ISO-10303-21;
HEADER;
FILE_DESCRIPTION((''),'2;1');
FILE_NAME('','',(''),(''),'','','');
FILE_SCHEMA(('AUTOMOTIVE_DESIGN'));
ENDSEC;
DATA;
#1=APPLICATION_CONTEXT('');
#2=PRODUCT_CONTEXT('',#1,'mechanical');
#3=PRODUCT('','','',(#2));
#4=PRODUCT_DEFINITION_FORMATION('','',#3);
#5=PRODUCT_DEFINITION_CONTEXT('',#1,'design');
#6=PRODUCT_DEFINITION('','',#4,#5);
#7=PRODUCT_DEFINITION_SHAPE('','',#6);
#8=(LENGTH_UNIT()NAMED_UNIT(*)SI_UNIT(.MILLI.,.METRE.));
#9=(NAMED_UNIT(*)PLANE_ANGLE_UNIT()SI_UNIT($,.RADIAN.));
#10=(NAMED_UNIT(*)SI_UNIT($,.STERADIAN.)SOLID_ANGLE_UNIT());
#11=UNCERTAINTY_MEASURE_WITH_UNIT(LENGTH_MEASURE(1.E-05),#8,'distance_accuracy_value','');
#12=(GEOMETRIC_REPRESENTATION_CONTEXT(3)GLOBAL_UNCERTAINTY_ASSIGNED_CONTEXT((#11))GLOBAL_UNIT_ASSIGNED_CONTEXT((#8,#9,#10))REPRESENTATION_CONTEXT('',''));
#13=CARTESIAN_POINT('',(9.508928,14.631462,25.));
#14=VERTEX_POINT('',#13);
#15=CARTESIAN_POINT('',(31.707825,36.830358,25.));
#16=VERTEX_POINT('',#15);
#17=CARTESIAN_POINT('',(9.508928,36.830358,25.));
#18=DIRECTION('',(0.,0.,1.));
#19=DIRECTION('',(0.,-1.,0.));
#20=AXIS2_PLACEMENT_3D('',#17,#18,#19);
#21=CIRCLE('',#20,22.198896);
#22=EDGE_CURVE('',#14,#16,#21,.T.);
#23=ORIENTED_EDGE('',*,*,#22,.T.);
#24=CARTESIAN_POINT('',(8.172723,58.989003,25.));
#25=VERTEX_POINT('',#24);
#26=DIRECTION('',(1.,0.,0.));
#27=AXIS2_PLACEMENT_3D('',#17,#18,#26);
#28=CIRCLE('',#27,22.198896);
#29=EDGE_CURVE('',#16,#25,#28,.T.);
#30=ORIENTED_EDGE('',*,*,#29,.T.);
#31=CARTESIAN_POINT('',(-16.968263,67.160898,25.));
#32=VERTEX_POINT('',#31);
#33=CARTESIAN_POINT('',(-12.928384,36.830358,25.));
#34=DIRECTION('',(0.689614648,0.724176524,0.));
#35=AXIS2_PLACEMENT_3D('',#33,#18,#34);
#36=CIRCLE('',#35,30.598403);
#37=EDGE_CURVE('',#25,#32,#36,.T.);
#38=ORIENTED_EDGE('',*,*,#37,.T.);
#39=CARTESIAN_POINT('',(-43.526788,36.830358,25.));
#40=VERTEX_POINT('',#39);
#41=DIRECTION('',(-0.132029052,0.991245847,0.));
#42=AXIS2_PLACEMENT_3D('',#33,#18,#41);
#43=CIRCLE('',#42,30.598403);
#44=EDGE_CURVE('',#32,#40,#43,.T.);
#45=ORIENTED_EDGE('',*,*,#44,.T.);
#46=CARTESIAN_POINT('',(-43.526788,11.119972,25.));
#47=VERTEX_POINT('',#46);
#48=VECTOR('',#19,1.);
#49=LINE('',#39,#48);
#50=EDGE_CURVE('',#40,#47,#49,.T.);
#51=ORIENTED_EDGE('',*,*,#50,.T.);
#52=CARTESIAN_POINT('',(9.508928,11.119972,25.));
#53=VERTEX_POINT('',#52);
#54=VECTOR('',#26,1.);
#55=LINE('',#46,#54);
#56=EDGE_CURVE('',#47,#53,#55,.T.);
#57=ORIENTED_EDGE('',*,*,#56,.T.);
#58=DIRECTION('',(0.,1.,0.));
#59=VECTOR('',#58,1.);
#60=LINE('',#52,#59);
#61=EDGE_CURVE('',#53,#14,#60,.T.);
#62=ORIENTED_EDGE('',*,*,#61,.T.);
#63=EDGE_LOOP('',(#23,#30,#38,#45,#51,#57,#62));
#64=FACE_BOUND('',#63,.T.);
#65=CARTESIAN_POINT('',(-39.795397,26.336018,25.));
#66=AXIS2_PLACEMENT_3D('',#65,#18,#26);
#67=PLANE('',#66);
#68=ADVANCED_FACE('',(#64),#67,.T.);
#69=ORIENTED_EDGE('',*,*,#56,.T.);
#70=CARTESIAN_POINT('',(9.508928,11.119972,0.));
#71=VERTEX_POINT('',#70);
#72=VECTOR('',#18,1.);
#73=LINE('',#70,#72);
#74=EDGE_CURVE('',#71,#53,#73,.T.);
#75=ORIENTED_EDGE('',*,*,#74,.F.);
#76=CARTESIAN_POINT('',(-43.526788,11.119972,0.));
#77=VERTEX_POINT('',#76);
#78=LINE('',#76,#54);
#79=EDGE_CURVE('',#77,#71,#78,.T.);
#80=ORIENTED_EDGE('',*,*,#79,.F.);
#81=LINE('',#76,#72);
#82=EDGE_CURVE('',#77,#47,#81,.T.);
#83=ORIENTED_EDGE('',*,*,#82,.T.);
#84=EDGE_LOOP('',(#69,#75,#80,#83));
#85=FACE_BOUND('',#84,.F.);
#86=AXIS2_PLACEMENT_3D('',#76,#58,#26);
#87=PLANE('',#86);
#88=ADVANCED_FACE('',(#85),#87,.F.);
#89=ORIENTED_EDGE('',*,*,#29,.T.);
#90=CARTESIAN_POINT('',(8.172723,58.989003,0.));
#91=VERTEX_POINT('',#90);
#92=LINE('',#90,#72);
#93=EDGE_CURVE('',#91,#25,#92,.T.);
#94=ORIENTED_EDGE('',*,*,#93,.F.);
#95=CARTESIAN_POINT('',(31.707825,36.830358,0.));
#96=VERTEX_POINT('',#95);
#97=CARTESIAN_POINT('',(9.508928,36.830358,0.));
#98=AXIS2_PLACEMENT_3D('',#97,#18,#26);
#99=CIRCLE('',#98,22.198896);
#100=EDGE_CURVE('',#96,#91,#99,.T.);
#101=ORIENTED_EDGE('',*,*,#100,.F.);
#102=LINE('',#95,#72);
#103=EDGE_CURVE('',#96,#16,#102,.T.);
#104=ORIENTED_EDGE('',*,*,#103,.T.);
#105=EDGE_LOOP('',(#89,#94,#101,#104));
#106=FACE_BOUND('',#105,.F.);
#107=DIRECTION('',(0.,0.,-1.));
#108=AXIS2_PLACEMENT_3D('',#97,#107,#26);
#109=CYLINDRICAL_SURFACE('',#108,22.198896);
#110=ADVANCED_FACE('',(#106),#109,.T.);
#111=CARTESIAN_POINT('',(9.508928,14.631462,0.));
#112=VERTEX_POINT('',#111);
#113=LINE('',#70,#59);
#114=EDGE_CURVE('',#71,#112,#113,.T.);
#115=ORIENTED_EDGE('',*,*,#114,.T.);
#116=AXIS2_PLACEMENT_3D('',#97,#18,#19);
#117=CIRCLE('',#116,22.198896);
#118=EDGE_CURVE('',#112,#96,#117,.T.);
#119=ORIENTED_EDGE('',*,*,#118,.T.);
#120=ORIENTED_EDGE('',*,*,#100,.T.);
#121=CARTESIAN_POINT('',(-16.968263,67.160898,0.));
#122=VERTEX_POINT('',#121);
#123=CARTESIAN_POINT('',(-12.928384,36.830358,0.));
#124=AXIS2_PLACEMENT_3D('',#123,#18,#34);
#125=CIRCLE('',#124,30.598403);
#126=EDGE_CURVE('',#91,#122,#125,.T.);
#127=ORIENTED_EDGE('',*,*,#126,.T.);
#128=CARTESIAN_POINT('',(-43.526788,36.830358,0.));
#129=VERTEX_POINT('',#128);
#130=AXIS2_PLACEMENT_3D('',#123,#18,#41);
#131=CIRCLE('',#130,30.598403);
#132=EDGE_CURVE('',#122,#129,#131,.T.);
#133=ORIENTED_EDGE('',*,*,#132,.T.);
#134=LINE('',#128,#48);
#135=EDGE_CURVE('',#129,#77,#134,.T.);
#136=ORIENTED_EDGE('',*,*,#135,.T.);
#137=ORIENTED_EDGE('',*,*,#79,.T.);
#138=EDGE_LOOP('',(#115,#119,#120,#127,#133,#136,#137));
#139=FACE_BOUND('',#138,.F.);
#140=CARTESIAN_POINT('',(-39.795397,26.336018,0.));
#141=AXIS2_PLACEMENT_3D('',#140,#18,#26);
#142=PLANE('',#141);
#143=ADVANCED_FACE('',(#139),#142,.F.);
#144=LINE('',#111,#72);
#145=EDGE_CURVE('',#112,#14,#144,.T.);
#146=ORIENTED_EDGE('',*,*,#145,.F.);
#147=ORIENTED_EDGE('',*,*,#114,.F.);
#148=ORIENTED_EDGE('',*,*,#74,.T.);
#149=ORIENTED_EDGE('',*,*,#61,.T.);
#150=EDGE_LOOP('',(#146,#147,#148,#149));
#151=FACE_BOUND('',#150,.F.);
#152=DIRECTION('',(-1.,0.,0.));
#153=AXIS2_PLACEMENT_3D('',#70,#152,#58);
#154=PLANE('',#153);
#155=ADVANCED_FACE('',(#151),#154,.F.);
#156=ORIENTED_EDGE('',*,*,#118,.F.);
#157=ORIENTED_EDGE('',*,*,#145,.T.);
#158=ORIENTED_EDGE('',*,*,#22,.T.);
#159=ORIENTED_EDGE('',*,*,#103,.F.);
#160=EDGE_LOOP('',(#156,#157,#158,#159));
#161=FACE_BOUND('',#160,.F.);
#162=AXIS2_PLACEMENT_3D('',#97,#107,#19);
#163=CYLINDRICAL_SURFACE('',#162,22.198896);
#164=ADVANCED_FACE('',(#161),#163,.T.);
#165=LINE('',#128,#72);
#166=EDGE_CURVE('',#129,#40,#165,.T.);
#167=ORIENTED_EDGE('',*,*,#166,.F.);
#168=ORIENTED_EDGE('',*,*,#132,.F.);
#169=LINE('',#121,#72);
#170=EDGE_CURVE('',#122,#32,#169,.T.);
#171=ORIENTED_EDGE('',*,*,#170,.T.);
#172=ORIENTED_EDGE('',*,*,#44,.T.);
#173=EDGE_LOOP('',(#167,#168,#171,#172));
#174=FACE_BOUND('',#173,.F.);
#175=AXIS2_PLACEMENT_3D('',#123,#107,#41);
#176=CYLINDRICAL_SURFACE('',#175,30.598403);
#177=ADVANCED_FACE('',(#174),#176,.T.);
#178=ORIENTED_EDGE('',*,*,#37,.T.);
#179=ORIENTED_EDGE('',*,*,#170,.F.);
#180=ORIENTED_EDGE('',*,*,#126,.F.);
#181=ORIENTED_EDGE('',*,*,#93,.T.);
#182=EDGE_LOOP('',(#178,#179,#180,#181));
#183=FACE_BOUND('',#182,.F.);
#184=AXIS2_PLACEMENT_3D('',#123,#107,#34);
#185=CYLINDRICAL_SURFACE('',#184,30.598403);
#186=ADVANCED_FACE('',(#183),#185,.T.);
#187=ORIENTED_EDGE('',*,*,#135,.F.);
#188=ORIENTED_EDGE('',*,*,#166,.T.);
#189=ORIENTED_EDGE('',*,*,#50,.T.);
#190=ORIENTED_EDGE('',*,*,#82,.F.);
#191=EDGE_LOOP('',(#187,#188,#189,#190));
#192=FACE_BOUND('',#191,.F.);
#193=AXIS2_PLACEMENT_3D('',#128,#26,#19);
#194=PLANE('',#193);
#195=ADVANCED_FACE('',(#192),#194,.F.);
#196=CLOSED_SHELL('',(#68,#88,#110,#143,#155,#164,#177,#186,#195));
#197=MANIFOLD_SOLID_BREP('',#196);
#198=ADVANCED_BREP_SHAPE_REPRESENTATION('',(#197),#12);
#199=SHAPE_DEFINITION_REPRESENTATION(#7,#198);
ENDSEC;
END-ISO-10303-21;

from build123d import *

# Parameters (mm, degrees)
F1_DEPTH = 25


with BuildPart() as f1:
    # F0 (on Top) → F1 (new body)
    with BuildSketch(Plane.XY):
        Polygon((-43.5267875595, 36.8303582072), (-43.5267875595, 11.1199722934), (-31.3423006786, 36.8303582072), align=None)
        with BuildLine():
            Line((-43.5267875595, 36.8303582072), (-31.3423006786, 36.8303582072))
            Line((-31.3423006786, 36.8303582072), (-16.9682625481, 67.1608982694))
            ThreePointArc((-16.9682625481, 67.1608982694), (-35.9487677178, 56.9878438592), (-43.5267875595, 36.8303582072))
        make_face()
        with BuildLine():
            ThreePointArc((8.1727226195, 58.9890034381), (-6.6535791829, 52.0475969983), (-12.689968176, 36.8303582072))
            Line((-12.689968176, 36.8303582072), (9.508928284, 36.8303582072))
            Line((9.508928284, 36.8303582072), (9.508928284, 14.6314617472))
            ThreePointArc((9.508928284, 14.6314617472), (25.2059185058, 21.1333679855), (31.7078247441, 36.8303582072))
            ThreePointArc((31.7078247441, 36.8303582072), (24.7261670751, 52.9928656742), (8.1727226195, 58.9890034381))
        make_face()
        with BuildLine():
            Line((9.508928284, 36.8303582072), (-12.689968176, 36.8303582072))
            ThreePointArc((-12.689968176, 36.8303582072), (-6.1880619377, 21.1333679855), (9.508928284, 14.6314617472))
            Line((9.508928284, 14.6314617472), (9.508928284, 36.8303582072))
        make_face()
        with BuildLine():
            Line((-31.3423006786, 36.8303582072), (-43.5267875595, 11.1199722934))
            Line((-43.5267875595, 11.1199722934), (9.508928284, 11.1199722934))
            Line((9.508928284, 11.1199722934), (9.508928284, 14.6314617472))
            ThreePointArc((9.508928284, 14.6314617472), (-6.1880619377, 21.1333679855), (-12.689968176, 36.8303582072))
            Line((-12.689968176, 36.8303582072), (-31.3423006786, 36.8303582072))
        make_face()
        with BuildLine():
            Line((-16.9682625481, 67.1608982694), (-31.3423006786, 36.8303582072))
            Line((-31.3423006786, 36.8303582072), (-12.689968176, 36.8303582072))
            ThreePointArc((-12.689968176, 36.8303582072), (-6.6535791829, 52.0475969983), (8.1727226195, 58.9890034381))
            ThreePointArc((8.1727226195, 58.9890034381), (-3.4697191171, 65.9301164017), (-16.9682625481, 67.1608982694))
        make_face()
    extrude(amount=F1_DEPTH)


solid = f1.part
